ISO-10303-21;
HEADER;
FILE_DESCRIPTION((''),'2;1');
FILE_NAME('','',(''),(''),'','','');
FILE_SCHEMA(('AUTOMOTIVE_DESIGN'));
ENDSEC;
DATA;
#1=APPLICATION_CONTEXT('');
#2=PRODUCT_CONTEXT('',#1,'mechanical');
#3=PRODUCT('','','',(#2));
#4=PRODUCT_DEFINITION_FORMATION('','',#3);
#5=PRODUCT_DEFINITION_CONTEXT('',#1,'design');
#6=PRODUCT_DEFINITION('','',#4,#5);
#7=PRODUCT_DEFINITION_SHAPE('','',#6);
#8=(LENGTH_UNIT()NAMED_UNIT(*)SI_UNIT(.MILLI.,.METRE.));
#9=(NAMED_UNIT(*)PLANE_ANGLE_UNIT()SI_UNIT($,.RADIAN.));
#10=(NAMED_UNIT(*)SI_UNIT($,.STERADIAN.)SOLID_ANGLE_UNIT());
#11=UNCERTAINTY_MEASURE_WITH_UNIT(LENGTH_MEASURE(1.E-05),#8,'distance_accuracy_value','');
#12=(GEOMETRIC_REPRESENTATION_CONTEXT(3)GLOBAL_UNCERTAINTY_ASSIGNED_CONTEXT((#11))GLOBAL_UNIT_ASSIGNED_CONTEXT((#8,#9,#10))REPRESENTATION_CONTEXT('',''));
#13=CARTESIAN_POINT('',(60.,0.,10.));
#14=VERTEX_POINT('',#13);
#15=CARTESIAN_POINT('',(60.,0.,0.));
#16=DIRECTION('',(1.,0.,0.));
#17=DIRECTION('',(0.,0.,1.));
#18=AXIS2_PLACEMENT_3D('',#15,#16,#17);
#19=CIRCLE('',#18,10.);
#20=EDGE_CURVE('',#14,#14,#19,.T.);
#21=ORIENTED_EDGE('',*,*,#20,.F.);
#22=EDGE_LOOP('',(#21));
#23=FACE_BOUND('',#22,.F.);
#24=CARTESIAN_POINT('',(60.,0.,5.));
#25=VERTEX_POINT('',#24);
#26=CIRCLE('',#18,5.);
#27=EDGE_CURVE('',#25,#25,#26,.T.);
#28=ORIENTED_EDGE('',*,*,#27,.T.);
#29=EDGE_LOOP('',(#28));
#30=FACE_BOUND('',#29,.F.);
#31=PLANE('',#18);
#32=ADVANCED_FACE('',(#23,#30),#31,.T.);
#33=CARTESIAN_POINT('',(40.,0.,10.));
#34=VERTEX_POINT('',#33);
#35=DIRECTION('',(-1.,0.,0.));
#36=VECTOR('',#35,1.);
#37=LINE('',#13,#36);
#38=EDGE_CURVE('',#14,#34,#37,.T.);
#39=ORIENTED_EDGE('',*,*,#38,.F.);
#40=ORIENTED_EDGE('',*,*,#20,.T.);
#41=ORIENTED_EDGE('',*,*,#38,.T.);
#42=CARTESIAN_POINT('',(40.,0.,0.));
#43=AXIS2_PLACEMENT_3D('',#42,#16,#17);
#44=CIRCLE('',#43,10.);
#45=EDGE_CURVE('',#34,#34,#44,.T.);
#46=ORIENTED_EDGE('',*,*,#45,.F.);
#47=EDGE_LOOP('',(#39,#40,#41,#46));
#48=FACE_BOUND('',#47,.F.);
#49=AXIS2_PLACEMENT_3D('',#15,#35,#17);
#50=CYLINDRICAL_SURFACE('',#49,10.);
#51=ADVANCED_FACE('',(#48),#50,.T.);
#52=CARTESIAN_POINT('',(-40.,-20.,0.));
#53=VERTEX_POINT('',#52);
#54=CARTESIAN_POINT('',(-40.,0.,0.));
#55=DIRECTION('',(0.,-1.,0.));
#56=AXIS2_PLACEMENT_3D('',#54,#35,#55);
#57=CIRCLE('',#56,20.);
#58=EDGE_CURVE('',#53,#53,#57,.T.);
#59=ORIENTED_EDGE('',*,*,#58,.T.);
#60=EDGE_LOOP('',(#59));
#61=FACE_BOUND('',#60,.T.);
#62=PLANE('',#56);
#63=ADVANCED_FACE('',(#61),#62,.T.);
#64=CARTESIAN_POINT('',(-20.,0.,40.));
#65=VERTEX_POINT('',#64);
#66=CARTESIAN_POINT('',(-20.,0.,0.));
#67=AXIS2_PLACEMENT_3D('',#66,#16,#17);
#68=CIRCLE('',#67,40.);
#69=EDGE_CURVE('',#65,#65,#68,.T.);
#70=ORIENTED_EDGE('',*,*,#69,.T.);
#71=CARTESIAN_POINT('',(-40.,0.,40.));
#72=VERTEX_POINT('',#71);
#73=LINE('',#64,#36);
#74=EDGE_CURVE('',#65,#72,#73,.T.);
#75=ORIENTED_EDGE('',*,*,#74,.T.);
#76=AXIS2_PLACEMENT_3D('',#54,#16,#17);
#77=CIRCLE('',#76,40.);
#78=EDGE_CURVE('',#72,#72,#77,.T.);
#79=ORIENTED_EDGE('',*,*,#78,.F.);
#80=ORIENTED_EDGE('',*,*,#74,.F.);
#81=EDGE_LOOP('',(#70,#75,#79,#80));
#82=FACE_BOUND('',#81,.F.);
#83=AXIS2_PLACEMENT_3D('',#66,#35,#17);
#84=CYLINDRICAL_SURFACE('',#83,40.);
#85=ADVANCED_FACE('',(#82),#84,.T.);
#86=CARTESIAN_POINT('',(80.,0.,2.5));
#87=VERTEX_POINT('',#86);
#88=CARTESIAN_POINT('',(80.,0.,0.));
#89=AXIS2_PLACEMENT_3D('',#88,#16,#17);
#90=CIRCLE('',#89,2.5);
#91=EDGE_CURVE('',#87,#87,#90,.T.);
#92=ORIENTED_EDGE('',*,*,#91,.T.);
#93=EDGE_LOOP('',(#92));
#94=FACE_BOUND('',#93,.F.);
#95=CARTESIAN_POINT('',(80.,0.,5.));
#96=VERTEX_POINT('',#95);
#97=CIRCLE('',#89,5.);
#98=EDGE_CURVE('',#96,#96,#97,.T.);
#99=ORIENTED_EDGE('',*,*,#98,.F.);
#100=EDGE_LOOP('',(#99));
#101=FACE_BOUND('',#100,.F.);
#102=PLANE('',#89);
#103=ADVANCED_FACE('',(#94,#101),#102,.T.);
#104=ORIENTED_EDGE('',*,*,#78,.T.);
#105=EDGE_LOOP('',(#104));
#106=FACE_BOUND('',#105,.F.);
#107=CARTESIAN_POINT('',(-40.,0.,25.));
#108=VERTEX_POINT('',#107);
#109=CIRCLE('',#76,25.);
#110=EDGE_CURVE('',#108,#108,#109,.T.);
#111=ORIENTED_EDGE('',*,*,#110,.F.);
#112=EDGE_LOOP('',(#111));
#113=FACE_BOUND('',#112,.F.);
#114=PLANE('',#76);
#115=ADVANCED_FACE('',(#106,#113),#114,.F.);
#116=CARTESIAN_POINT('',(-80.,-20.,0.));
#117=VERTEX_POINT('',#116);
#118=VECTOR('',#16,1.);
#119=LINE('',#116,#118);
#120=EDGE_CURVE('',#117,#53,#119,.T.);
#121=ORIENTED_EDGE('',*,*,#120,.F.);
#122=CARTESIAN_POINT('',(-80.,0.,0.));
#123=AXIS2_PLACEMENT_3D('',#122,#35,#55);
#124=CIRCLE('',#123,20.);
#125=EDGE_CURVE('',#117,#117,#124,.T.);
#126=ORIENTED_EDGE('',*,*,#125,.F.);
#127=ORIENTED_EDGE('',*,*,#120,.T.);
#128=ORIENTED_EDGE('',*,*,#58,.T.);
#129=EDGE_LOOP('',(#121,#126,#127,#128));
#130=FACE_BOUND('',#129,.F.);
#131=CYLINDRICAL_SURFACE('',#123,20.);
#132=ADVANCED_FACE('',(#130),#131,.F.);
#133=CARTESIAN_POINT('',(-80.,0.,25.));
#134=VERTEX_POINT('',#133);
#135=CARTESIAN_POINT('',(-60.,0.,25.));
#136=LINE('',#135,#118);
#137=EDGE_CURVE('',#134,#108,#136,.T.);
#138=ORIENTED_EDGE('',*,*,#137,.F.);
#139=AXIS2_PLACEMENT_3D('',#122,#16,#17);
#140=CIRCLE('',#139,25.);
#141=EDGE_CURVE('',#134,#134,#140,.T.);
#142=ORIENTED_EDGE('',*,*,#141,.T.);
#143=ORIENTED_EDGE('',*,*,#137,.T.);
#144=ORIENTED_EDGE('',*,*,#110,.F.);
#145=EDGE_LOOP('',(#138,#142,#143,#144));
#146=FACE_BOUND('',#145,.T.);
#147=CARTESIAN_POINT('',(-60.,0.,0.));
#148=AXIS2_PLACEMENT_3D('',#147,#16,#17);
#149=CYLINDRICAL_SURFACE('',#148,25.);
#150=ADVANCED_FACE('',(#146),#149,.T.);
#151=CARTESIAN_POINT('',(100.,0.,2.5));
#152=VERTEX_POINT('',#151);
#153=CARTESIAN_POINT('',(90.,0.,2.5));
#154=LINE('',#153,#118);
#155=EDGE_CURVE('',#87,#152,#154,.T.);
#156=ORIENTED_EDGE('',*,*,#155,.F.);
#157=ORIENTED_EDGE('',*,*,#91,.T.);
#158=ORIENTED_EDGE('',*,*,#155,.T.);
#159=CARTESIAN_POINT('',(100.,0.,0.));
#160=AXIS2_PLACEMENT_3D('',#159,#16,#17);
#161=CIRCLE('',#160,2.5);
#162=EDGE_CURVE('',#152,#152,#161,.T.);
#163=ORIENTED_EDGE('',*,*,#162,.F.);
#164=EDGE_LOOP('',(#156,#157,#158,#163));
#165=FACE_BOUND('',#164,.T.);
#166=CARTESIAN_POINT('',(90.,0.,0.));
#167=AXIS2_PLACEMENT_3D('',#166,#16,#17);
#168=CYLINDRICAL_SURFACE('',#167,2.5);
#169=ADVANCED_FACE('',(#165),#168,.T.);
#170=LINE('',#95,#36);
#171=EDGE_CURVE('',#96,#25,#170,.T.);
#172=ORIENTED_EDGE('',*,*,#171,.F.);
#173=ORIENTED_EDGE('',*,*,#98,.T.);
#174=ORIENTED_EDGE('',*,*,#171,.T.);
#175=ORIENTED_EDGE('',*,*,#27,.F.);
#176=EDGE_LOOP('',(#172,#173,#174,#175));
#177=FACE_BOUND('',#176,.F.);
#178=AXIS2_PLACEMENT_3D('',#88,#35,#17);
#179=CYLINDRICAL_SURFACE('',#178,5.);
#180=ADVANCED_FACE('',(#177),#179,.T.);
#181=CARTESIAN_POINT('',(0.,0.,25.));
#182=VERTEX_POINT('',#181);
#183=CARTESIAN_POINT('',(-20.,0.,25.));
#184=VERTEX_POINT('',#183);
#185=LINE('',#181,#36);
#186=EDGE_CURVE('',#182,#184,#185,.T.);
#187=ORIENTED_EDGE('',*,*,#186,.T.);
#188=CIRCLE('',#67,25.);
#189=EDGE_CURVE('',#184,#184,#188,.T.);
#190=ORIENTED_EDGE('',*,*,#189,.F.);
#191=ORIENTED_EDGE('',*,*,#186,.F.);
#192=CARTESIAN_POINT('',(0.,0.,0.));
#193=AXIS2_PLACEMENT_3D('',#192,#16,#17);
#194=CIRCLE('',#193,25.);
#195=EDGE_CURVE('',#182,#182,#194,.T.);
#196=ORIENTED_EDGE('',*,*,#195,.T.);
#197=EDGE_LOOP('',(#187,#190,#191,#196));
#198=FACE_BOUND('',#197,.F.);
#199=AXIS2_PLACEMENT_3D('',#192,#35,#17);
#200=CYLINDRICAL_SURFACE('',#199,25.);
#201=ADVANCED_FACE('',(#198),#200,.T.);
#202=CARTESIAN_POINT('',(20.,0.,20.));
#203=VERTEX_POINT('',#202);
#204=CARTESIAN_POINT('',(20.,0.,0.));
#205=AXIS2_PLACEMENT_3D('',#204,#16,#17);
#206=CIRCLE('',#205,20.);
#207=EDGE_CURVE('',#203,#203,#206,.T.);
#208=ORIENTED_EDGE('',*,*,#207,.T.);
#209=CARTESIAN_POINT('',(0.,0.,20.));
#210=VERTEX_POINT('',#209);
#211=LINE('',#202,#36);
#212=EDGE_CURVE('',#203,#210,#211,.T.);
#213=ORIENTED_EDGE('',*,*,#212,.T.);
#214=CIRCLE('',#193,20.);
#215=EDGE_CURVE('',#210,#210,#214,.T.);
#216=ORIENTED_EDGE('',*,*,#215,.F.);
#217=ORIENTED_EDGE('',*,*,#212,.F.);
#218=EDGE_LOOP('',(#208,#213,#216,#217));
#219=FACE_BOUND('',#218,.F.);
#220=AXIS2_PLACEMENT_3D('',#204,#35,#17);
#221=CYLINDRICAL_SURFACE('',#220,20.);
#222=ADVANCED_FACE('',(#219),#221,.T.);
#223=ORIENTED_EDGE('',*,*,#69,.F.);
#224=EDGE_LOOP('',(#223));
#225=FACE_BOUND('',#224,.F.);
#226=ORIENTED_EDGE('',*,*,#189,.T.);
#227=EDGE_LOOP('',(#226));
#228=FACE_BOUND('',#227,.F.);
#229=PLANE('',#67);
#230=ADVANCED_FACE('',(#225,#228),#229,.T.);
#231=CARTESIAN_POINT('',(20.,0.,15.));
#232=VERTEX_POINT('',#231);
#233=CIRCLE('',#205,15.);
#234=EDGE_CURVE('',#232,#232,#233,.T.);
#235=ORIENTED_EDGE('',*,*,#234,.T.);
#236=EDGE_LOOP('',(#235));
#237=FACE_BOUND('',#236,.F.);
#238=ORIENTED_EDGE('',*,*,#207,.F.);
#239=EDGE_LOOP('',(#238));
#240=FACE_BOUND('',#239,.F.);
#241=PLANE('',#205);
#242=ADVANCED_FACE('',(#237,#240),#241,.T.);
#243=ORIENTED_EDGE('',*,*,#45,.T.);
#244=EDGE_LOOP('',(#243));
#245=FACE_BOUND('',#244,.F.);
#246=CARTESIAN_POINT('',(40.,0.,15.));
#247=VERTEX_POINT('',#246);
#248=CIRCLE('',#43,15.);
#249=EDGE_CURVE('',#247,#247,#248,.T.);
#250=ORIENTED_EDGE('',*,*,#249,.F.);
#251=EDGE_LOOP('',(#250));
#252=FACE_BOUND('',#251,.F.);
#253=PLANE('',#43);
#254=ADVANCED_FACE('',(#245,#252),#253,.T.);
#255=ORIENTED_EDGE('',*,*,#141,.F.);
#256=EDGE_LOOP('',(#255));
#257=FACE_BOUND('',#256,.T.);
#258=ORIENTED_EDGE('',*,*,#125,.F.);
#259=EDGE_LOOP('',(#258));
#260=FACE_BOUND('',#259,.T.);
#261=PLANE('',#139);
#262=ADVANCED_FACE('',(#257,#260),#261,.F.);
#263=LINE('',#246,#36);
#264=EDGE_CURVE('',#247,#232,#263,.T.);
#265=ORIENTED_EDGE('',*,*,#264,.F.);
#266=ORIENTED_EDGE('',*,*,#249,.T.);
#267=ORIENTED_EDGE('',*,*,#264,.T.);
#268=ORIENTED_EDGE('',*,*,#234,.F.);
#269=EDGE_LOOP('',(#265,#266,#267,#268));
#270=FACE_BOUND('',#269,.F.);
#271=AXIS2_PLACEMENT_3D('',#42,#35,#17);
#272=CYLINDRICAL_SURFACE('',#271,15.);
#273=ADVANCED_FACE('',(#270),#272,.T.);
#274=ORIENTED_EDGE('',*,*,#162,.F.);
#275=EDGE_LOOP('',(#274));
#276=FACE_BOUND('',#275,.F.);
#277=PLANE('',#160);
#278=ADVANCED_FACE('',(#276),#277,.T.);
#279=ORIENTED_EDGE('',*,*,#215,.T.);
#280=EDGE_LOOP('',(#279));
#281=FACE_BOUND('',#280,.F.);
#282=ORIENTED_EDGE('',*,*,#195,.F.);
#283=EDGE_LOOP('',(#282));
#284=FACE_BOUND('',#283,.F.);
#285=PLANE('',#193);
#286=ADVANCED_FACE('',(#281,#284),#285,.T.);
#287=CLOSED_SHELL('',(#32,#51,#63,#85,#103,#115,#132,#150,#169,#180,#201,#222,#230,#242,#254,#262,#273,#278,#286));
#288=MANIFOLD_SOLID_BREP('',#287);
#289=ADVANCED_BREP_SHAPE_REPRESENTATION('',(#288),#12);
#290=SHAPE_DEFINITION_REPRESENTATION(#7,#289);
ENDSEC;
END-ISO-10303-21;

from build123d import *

# Parameters (mm, degrees)
F0_W     = 40
F0_H     = 25
F0_W_2   = 20
F0_H_2   = 2.5
F2_R     = 20
F3_DEPTH = 40


with BuildPart() as f1:
    # F0 (on Front) → F1 (revolve)
    with BuildSketch(Plane.XZ):
        Polygon((0, 20), (0, 0), (20, 0), (20, 15), (20, 20), align=None)
        Polygon((-20, 0), (0, 0), (0, 20), (0, 25), (-20, 25), align=None)
        Polygon((20, 15), (20, 0), (40, 0), (40, 10), (40, 15), align=None)
        Polygon((-40, 0), (-20, 0), (-20, 25), (-20, 40), (-40, 40), (-40, 25), align=None)
        Polygon((40, 10), (40, 0), (60, 0), (60, 5), (60, 10), align=None)
        with Locations((-60, 12.5)):
            Rectangle(F0_W, F0_H)
        Polygon((60, 5), (60, 0), (80, 0), (80, 2.5), (80, 5), align=None)
        with Locations((90, 1.25)):
            Rectangle(F0_W_2, F0_H_2)
    revolve(axis=Axis((0, 0, 0), (1, 0, 0)))

    # F2 (on face) → F3 (cut)
    with BuildSketch(Plane(origin=(-80, 0, 0), x_dir=(0, -1, 0), z_dir=(-1, 0, 0))):
        Circle(F2_R)
    extrude(amount=-F3_DEPTH, mode=Mode.SUBTRACT)


solid = f1.part
